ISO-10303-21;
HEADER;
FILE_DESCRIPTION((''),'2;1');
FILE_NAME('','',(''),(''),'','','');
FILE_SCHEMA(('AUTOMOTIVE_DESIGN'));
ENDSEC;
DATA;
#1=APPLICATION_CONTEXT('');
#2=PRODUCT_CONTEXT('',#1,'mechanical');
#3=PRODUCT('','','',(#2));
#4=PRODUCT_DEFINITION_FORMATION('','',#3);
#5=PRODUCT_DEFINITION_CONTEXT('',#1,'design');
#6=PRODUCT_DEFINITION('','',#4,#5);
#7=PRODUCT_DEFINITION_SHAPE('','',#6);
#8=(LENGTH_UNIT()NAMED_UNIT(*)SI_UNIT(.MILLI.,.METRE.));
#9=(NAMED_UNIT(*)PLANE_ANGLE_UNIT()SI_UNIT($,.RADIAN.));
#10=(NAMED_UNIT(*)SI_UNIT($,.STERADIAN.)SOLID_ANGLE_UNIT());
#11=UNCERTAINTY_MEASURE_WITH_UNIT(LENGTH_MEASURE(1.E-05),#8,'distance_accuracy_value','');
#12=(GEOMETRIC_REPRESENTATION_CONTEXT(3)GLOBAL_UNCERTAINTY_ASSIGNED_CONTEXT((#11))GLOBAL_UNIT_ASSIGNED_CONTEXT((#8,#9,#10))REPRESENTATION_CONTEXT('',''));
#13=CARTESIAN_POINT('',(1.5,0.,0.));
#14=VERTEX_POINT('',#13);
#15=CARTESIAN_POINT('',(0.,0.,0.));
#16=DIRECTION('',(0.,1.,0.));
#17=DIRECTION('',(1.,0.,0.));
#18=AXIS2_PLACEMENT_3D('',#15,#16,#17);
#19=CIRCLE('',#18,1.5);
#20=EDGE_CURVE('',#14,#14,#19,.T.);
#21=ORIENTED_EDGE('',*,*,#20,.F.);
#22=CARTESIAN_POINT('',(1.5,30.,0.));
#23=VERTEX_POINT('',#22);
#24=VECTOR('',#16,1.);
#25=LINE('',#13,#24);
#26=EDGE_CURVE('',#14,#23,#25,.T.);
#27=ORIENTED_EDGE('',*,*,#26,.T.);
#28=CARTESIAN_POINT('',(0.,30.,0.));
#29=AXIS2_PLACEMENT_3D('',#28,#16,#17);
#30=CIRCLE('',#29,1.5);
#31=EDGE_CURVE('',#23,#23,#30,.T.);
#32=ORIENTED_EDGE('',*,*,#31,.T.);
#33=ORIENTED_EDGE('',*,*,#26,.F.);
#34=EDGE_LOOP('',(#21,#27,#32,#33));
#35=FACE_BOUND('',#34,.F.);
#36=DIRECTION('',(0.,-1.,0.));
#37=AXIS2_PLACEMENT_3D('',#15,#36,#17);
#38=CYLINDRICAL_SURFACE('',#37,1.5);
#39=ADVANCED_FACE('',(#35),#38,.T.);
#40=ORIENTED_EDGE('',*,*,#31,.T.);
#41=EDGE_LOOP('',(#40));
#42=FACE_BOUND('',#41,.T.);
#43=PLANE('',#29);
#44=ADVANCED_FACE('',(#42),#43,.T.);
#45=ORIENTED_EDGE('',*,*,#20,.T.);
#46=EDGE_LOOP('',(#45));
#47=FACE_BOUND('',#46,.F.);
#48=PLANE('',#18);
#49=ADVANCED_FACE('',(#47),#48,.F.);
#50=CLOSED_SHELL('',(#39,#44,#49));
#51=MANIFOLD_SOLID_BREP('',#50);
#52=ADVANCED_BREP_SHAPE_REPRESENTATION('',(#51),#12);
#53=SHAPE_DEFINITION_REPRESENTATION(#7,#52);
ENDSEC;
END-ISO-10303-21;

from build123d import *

# Parameters (mm, degrees)
ESQUISSE1_R      = 1.5
EXTRUSION1_DEPTH = 30


with BuildPart() as part:
    # Esquisse1 → Extrusion1 (new body)
    with BuildSketch(Plane(origin=(0, 0, 0), x_dir=(1, 0, 0), z_dir=(0, 1, 0))):
        Circle(ESQUISSE1_R)
    extrude(amount=EXTRUSION1_DEPTH)


solid = part.part
